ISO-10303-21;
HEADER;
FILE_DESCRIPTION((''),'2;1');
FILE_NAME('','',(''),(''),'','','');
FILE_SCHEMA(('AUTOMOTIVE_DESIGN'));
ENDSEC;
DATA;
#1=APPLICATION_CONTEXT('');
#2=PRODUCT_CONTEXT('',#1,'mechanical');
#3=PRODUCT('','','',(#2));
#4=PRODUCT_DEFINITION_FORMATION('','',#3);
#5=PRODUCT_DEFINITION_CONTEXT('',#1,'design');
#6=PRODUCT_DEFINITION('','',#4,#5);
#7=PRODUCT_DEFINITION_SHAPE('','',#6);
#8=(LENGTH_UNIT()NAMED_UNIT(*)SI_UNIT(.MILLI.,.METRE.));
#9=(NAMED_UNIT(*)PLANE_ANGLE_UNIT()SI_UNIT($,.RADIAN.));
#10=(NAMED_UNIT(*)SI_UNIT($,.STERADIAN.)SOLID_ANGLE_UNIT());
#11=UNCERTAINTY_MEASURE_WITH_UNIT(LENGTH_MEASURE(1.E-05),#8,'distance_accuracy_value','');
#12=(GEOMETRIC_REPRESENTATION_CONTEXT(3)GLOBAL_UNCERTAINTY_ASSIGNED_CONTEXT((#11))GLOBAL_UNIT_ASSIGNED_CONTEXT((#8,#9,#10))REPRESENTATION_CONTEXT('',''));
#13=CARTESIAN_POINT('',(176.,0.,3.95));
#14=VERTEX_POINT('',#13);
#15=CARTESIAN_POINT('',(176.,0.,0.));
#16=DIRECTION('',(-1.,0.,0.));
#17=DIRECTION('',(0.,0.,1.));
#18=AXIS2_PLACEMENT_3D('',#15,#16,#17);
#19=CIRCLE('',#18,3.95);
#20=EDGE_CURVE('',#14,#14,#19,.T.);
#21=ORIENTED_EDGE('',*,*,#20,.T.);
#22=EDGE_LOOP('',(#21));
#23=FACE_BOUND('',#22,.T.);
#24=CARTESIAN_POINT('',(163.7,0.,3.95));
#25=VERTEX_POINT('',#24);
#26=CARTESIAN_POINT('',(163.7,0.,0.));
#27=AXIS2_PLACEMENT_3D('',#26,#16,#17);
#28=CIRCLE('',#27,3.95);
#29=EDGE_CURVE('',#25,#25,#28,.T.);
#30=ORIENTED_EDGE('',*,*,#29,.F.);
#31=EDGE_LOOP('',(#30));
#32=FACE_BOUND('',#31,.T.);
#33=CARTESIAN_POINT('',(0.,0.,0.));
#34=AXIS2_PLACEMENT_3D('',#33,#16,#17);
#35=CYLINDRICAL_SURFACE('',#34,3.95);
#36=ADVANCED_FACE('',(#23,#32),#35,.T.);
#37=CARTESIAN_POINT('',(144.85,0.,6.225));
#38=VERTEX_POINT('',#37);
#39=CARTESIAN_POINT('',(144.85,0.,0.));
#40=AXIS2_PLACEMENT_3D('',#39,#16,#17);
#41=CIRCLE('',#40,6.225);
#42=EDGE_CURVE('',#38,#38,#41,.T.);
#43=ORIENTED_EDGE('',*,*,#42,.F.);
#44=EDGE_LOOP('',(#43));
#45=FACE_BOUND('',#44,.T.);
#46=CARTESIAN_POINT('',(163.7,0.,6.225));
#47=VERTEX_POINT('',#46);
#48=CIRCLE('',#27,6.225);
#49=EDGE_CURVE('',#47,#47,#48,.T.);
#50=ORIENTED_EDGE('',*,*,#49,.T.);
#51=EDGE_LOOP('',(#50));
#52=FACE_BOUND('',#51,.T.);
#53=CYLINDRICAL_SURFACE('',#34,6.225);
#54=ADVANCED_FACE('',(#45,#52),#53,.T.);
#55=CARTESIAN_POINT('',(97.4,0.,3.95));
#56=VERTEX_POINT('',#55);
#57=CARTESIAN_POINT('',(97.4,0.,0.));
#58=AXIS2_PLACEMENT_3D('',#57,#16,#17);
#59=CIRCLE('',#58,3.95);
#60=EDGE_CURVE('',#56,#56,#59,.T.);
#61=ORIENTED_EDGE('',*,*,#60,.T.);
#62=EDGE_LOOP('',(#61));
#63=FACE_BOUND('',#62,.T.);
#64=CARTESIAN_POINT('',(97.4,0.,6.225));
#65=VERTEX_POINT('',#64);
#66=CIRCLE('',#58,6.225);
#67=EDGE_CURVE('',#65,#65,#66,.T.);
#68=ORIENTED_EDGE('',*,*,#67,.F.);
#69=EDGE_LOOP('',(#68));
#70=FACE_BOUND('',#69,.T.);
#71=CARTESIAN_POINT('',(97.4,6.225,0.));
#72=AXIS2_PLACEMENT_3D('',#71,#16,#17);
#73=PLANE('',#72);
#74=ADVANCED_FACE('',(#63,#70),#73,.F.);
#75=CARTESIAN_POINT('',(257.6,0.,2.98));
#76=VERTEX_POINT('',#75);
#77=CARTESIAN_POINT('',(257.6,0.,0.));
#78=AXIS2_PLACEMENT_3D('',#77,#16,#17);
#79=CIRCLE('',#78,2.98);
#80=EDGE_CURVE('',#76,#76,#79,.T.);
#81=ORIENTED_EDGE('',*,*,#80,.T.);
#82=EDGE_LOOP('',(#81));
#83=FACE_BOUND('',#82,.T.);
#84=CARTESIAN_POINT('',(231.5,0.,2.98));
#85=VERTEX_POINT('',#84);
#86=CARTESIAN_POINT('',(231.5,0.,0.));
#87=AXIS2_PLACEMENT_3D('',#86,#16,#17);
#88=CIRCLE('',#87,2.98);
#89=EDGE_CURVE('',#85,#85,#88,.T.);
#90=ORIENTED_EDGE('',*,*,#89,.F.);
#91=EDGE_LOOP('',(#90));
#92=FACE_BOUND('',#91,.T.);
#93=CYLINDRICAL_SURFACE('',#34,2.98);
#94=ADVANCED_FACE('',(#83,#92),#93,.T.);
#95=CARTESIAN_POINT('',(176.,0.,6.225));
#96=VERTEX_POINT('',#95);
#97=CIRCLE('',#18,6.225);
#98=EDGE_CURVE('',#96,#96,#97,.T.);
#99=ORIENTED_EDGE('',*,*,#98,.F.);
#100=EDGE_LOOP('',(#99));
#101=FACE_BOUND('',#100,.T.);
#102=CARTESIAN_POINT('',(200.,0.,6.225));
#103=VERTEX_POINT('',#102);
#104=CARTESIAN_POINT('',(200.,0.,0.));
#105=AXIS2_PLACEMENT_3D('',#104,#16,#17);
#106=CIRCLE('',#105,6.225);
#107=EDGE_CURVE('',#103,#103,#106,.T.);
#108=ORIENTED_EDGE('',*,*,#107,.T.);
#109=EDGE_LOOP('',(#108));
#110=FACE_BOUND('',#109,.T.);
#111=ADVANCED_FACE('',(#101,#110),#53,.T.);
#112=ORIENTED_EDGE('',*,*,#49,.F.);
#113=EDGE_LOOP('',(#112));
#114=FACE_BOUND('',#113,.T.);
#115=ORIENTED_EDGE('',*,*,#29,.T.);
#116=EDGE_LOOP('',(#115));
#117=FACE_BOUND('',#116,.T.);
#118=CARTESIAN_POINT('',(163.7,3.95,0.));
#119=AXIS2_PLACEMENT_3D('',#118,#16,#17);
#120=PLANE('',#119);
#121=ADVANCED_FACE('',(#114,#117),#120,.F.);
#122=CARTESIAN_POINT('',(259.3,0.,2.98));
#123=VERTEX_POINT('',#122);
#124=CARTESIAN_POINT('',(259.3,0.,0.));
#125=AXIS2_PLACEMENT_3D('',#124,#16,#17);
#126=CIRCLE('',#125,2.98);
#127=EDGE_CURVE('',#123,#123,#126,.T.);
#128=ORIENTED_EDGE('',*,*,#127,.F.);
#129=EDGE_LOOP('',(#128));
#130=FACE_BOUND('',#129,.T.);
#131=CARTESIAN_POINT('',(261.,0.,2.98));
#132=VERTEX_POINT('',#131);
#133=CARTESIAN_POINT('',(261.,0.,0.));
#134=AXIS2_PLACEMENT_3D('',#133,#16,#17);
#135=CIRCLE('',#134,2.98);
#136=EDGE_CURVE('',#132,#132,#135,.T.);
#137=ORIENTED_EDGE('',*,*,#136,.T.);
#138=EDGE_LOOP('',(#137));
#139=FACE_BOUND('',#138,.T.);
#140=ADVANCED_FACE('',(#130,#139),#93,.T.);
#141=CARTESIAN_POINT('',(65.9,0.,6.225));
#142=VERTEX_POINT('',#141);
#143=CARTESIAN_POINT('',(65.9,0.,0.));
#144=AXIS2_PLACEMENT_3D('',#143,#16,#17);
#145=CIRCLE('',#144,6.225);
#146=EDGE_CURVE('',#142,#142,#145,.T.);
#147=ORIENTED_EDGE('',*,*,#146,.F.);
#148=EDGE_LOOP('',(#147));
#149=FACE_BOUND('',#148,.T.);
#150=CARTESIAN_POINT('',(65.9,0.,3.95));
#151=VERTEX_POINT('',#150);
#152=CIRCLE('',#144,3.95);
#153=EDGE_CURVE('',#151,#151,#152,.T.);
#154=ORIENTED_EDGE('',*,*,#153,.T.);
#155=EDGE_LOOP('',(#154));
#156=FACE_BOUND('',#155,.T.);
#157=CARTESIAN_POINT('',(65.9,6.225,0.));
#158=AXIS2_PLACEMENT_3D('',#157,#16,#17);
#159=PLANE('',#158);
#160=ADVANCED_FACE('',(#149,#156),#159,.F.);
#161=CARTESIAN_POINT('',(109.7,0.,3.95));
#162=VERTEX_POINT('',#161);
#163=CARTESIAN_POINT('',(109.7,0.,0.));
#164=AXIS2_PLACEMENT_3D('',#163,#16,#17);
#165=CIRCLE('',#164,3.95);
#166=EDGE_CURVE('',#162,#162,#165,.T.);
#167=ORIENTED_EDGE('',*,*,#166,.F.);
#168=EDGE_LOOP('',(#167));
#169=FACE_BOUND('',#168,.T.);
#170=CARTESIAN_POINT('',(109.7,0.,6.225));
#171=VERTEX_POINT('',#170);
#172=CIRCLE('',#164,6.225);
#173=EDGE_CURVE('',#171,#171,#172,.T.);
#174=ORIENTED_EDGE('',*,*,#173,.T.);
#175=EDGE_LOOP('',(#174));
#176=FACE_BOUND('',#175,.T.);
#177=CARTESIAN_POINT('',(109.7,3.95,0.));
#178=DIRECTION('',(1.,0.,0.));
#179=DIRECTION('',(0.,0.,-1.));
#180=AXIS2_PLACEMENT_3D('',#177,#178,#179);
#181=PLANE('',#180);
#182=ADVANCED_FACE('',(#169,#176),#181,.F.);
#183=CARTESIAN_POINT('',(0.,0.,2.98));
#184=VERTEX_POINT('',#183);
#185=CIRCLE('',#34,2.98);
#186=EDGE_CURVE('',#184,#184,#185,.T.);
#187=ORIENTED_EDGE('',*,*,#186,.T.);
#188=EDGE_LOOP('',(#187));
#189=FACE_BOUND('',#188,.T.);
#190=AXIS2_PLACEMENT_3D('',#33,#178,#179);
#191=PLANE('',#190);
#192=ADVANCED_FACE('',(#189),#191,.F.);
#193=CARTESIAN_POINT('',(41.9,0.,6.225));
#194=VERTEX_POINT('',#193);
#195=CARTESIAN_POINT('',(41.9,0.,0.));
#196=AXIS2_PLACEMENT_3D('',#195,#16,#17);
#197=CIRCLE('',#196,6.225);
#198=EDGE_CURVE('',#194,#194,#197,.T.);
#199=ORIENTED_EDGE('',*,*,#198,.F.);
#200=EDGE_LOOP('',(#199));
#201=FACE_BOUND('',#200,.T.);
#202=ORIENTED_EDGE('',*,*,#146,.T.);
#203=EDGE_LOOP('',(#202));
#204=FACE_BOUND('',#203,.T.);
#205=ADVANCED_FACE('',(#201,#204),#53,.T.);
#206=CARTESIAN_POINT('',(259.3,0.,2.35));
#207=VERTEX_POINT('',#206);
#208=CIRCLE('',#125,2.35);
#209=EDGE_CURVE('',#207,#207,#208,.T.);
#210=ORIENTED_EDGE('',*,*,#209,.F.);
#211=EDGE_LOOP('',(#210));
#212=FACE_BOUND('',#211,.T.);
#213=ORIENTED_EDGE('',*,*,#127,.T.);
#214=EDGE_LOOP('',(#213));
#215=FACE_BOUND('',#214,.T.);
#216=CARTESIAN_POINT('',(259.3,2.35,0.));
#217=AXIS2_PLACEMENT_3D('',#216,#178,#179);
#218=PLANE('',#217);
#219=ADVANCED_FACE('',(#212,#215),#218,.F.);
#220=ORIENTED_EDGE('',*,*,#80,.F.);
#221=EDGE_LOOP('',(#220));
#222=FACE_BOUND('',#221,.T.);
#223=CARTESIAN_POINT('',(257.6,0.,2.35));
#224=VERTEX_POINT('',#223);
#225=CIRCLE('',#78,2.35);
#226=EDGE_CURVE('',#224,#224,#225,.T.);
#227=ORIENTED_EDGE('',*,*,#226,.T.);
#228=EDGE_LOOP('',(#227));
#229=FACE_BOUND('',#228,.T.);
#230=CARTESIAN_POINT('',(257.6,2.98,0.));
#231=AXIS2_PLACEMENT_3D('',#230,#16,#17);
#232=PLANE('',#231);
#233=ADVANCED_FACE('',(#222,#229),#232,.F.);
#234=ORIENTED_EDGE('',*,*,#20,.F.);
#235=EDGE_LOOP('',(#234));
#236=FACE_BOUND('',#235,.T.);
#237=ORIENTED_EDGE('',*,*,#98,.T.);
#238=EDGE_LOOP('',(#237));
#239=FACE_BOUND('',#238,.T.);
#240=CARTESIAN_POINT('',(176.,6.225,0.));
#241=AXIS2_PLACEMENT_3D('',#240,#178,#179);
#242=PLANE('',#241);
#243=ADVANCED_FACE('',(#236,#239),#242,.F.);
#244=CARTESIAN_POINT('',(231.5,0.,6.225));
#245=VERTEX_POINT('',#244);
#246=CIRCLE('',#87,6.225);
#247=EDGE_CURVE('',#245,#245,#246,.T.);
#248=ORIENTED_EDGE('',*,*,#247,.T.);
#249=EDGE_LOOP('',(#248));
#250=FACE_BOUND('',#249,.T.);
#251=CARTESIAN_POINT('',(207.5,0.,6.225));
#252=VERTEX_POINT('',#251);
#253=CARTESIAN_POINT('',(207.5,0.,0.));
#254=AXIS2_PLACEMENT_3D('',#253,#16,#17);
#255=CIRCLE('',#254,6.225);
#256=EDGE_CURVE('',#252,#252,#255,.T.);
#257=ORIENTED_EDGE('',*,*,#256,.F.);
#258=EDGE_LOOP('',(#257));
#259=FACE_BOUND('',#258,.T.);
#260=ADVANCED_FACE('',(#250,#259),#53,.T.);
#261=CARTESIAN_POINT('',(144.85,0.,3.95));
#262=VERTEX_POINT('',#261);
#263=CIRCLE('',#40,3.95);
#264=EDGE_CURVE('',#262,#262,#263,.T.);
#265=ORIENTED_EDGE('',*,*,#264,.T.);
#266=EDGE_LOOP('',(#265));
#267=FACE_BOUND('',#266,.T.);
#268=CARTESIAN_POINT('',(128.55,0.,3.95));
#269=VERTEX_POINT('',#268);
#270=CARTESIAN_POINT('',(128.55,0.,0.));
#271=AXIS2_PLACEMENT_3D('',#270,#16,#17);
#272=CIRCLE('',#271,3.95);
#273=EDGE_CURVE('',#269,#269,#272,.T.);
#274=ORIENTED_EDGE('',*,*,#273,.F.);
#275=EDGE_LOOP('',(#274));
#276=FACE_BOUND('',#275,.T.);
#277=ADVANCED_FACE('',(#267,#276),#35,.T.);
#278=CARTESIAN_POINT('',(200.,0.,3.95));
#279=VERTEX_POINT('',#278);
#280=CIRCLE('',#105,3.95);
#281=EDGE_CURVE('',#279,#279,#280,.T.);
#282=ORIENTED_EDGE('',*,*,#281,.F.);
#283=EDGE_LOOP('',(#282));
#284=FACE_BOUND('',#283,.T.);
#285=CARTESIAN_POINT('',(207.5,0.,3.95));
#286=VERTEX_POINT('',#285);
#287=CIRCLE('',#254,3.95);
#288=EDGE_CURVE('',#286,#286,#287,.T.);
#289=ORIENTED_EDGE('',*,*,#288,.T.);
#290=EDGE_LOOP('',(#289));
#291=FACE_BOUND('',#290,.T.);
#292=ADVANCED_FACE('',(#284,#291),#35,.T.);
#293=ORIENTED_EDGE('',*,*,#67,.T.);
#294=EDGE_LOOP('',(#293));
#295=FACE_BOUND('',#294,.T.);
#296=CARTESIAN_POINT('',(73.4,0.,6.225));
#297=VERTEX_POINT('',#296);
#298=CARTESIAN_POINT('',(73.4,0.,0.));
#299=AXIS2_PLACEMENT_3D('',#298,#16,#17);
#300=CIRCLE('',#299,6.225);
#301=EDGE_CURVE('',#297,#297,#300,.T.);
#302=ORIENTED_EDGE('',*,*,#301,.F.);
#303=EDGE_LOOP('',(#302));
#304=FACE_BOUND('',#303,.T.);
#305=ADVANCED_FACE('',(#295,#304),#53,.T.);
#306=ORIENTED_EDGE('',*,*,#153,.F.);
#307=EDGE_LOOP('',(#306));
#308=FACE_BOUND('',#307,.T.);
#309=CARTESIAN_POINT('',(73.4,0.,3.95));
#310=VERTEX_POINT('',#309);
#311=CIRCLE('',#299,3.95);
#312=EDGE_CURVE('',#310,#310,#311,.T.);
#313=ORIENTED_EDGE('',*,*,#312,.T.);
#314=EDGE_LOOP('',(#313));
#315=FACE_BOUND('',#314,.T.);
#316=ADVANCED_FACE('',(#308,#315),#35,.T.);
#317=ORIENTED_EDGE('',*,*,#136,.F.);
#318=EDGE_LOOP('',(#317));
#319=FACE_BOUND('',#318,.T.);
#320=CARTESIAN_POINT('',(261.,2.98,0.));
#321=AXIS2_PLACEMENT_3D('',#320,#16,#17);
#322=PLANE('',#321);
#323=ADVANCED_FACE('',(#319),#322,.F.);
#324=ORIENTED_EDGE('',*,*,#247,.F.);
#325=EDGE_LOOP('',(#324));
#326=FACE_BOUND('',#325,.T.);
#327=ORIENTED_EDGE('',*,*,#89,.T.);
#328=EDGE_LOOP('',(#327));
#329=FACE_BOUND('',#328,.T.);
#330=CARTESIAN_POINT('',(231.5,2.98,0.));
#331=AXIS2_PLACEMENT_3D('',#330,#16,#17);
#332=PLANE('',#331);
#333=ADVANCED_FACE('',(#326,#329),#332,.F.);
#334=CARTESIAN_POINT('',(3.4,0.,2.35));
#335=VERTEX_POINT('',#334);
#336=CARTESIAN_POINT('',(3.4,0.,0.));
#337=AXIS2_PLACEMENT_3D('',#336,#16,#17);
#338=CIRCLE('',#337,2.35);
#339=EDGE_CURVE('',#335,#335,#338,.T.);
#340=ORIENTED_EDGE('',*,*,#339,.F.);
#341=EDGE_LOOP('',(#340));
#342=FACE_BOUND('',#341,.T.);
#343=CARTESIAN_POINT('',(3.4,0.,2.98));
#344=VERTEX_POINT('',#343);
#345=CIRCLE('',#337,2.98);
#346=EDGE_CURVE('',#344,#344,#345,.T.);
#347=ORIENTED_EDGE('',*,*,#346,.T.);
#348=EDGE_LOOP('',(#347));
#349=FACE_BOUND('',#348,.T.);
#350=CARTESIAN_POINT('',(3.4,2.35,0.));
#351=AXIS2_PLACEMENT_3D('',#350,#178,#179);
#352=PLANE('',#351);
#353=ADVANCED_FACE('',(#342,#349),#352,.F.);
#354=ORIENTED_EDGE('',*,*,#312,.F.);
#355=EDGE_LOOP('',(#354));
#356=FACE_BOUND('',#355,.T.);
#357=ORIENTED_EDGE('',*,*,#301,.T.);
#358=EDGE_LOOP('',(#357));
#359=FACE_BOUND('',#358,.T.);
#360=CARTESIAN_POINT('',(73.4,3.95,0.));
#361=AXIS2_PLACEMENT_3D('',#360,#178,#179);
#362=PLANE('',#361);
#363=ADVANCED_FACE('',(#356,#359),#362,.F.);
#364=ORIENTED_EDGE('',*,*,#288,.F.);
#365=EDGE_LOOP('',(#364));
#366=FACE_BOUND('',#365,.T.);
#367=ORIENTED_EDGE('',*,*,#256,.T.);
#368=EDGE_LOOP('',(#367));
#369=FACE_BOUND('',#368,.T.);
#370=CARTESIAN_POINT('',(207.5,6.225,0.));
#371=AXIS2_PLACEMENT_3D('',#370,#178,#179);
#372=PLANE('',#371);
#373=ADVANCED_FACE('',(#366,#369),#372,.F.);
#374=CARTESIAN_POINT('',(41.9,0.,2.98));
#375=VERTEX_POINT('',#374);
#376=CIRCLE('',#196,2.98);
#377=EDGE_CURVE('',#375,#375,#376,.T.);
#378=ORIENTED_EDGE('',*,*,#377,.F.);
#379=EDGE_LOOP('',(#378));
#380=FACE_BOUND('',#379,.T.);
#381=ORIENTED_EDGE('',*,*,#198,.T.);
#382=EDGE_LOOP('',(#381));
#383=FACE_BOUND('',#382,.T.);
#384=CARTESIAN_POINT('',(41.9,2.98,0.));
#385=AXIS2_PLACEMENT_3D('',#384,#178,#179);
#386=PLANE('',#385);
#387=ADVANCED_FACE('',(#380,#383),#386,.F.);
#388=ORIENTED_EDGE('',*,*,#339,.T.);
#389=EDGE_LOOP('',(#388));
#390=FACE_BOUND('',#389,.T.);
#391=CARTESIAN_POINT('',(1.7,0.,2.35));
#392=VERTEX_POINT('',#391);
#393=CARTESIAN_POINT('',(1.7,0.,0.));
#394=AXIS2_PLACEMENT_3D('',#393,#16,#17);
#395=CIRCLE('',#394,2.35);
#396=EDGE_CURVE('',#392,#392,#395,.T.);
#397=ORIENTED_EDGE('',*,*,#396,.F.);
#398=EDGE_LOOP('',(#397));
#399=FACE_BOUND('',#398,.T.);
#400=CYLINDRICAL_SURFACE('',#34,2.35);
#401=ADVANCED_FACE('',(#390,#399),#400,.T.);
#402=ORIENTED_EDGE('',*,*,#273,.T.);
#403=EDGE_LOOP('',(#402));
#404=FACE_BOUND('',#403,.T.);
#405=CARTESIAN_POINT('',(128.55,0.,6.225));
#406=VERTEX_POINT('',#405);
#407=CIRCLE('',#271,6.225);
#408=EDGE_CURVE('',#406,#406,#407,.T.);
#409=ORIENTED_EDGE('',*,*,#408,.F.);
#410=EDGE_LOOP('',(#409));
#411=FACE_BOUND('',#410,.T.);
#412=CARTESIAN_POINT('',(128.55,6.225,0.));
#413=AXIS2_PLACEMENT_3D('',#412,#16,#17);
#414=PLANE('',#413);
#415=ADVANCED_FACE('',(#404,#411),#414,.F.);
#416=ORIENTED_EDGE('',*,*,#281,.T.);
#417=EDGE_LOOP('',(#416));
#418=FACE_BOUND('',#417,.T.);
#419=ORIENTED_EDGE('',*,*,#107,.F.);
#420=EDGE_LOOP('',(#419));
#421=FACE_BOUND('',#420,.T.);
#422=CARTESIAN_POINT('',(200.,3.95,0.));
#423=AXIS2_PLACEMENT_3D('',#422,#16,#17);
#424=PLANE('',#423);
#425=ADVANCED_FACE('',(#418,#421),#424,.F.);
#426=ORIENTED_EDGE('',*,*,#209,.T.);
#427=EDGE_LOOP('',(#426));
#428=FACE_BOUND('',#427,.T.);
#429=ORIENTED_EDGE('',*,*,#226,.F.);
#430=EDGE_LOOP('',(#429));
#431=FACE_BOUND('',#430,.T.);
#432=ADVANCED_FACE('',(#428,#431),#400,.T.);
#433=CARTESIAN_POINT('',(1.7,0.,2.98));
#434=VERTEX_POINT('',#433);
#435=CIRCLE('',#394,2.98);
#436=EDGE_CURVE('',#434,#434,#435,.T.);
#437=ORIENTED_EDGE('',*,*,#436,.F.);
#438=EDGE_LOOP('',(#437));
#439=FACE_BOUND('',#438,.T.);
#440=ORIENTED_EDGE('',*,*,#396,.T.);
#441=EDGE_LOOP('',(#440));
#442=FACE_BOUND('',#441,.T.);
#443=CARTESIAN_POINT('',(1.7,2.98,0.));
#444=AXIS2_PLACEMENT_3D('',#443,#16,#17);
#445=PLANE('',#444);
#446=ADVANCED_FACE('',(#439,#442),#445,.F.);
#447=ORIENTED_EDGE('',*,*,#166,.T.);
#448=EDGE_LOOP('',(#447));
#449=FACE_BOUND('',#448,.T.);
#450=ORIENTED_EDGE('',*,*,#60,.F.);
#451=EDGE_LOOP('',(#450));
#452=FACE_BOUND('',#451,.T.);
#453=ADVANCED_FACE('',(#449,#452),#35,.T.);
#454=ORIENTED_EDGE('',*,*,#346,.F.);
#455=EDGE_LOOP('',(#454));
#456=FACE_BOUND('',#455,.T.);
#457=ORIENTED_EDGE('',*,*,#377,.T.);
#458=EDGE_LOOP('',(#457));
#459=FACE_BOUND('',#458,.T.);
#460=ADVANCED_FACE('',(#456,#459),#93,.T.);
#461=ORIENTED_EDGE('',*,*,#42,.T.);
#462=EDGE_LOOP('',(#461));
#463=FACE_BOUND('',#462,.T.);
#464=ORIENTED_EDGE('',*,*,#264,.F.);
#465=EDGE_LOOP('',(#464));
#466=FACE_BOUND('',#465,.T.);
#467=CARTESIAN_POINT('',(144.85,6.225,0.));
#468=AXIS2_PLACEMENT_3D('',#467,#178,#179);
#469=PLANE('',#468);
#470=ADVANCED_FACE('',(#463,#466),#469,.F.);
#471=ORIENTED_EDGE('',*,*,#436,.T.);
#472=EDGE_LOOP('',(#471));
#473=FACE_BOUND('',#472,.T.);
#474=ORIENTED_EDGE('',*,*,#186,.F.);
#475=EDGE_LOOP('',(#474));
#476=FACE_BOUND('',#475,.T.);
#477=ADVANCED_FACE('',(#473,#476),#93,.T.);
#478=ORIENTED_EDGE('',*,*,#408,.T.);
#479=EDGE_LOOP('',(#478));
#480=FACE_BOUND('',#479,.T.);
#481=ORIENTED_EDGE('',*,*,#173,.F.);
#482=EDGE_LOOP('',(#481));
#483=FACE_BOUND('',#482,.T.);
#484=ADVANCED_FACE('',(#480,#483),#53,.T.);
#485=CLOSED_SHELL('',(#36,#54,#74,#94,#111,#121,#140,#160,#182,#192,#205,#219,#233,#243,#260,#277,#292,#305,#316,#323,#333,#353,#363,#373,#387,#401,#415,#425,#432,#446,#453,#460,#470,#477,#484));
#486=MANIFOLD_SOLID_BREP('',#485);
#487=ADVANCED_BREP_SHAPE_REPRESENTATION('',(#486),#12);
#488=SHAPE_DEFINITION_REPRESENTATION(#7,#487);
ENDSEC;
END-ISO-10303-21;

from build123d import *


with BuildPart() as part:
    # Esquisse1 → Révolution1 (revolve)
    with BuildSketch(Plane.XY):
        Polygon((0, 0), (0, 2.98), (1.7, 2.98), (1.7, 2.35), (3.4, 2.35), (3.4, 2.98), (41.9, 2.98), (41.9, 6.225), (65.9, 6.225), (65.9, 3.95), (73.4, 3.95), (73.4, 6.225), (97.4, 6.225), (97.4, 3.95), (109.7, 3.95), (109.7, 6.225), (128.55, 6.225), (128.55, 3.95), (144.85, 3.95), (144.85, 6.225), (163.7, 6.225), (163.7, 3.95), (176, 3.95), (176, 6.225), (200, 6.225), (200, 3.95), (207.5, 3.95), (207.5, 6.225), (231.5, 6.225), (231.5, 2.98), (257.6, 2.98), (257.6, 2.35), (259.3, 2.35), (259.3, 2.98), (261, 2.98), (261, 0), align=None)
    revolve(axis=Axis((0, 0, 0), (1, 0, 0)))


solid = part.part
